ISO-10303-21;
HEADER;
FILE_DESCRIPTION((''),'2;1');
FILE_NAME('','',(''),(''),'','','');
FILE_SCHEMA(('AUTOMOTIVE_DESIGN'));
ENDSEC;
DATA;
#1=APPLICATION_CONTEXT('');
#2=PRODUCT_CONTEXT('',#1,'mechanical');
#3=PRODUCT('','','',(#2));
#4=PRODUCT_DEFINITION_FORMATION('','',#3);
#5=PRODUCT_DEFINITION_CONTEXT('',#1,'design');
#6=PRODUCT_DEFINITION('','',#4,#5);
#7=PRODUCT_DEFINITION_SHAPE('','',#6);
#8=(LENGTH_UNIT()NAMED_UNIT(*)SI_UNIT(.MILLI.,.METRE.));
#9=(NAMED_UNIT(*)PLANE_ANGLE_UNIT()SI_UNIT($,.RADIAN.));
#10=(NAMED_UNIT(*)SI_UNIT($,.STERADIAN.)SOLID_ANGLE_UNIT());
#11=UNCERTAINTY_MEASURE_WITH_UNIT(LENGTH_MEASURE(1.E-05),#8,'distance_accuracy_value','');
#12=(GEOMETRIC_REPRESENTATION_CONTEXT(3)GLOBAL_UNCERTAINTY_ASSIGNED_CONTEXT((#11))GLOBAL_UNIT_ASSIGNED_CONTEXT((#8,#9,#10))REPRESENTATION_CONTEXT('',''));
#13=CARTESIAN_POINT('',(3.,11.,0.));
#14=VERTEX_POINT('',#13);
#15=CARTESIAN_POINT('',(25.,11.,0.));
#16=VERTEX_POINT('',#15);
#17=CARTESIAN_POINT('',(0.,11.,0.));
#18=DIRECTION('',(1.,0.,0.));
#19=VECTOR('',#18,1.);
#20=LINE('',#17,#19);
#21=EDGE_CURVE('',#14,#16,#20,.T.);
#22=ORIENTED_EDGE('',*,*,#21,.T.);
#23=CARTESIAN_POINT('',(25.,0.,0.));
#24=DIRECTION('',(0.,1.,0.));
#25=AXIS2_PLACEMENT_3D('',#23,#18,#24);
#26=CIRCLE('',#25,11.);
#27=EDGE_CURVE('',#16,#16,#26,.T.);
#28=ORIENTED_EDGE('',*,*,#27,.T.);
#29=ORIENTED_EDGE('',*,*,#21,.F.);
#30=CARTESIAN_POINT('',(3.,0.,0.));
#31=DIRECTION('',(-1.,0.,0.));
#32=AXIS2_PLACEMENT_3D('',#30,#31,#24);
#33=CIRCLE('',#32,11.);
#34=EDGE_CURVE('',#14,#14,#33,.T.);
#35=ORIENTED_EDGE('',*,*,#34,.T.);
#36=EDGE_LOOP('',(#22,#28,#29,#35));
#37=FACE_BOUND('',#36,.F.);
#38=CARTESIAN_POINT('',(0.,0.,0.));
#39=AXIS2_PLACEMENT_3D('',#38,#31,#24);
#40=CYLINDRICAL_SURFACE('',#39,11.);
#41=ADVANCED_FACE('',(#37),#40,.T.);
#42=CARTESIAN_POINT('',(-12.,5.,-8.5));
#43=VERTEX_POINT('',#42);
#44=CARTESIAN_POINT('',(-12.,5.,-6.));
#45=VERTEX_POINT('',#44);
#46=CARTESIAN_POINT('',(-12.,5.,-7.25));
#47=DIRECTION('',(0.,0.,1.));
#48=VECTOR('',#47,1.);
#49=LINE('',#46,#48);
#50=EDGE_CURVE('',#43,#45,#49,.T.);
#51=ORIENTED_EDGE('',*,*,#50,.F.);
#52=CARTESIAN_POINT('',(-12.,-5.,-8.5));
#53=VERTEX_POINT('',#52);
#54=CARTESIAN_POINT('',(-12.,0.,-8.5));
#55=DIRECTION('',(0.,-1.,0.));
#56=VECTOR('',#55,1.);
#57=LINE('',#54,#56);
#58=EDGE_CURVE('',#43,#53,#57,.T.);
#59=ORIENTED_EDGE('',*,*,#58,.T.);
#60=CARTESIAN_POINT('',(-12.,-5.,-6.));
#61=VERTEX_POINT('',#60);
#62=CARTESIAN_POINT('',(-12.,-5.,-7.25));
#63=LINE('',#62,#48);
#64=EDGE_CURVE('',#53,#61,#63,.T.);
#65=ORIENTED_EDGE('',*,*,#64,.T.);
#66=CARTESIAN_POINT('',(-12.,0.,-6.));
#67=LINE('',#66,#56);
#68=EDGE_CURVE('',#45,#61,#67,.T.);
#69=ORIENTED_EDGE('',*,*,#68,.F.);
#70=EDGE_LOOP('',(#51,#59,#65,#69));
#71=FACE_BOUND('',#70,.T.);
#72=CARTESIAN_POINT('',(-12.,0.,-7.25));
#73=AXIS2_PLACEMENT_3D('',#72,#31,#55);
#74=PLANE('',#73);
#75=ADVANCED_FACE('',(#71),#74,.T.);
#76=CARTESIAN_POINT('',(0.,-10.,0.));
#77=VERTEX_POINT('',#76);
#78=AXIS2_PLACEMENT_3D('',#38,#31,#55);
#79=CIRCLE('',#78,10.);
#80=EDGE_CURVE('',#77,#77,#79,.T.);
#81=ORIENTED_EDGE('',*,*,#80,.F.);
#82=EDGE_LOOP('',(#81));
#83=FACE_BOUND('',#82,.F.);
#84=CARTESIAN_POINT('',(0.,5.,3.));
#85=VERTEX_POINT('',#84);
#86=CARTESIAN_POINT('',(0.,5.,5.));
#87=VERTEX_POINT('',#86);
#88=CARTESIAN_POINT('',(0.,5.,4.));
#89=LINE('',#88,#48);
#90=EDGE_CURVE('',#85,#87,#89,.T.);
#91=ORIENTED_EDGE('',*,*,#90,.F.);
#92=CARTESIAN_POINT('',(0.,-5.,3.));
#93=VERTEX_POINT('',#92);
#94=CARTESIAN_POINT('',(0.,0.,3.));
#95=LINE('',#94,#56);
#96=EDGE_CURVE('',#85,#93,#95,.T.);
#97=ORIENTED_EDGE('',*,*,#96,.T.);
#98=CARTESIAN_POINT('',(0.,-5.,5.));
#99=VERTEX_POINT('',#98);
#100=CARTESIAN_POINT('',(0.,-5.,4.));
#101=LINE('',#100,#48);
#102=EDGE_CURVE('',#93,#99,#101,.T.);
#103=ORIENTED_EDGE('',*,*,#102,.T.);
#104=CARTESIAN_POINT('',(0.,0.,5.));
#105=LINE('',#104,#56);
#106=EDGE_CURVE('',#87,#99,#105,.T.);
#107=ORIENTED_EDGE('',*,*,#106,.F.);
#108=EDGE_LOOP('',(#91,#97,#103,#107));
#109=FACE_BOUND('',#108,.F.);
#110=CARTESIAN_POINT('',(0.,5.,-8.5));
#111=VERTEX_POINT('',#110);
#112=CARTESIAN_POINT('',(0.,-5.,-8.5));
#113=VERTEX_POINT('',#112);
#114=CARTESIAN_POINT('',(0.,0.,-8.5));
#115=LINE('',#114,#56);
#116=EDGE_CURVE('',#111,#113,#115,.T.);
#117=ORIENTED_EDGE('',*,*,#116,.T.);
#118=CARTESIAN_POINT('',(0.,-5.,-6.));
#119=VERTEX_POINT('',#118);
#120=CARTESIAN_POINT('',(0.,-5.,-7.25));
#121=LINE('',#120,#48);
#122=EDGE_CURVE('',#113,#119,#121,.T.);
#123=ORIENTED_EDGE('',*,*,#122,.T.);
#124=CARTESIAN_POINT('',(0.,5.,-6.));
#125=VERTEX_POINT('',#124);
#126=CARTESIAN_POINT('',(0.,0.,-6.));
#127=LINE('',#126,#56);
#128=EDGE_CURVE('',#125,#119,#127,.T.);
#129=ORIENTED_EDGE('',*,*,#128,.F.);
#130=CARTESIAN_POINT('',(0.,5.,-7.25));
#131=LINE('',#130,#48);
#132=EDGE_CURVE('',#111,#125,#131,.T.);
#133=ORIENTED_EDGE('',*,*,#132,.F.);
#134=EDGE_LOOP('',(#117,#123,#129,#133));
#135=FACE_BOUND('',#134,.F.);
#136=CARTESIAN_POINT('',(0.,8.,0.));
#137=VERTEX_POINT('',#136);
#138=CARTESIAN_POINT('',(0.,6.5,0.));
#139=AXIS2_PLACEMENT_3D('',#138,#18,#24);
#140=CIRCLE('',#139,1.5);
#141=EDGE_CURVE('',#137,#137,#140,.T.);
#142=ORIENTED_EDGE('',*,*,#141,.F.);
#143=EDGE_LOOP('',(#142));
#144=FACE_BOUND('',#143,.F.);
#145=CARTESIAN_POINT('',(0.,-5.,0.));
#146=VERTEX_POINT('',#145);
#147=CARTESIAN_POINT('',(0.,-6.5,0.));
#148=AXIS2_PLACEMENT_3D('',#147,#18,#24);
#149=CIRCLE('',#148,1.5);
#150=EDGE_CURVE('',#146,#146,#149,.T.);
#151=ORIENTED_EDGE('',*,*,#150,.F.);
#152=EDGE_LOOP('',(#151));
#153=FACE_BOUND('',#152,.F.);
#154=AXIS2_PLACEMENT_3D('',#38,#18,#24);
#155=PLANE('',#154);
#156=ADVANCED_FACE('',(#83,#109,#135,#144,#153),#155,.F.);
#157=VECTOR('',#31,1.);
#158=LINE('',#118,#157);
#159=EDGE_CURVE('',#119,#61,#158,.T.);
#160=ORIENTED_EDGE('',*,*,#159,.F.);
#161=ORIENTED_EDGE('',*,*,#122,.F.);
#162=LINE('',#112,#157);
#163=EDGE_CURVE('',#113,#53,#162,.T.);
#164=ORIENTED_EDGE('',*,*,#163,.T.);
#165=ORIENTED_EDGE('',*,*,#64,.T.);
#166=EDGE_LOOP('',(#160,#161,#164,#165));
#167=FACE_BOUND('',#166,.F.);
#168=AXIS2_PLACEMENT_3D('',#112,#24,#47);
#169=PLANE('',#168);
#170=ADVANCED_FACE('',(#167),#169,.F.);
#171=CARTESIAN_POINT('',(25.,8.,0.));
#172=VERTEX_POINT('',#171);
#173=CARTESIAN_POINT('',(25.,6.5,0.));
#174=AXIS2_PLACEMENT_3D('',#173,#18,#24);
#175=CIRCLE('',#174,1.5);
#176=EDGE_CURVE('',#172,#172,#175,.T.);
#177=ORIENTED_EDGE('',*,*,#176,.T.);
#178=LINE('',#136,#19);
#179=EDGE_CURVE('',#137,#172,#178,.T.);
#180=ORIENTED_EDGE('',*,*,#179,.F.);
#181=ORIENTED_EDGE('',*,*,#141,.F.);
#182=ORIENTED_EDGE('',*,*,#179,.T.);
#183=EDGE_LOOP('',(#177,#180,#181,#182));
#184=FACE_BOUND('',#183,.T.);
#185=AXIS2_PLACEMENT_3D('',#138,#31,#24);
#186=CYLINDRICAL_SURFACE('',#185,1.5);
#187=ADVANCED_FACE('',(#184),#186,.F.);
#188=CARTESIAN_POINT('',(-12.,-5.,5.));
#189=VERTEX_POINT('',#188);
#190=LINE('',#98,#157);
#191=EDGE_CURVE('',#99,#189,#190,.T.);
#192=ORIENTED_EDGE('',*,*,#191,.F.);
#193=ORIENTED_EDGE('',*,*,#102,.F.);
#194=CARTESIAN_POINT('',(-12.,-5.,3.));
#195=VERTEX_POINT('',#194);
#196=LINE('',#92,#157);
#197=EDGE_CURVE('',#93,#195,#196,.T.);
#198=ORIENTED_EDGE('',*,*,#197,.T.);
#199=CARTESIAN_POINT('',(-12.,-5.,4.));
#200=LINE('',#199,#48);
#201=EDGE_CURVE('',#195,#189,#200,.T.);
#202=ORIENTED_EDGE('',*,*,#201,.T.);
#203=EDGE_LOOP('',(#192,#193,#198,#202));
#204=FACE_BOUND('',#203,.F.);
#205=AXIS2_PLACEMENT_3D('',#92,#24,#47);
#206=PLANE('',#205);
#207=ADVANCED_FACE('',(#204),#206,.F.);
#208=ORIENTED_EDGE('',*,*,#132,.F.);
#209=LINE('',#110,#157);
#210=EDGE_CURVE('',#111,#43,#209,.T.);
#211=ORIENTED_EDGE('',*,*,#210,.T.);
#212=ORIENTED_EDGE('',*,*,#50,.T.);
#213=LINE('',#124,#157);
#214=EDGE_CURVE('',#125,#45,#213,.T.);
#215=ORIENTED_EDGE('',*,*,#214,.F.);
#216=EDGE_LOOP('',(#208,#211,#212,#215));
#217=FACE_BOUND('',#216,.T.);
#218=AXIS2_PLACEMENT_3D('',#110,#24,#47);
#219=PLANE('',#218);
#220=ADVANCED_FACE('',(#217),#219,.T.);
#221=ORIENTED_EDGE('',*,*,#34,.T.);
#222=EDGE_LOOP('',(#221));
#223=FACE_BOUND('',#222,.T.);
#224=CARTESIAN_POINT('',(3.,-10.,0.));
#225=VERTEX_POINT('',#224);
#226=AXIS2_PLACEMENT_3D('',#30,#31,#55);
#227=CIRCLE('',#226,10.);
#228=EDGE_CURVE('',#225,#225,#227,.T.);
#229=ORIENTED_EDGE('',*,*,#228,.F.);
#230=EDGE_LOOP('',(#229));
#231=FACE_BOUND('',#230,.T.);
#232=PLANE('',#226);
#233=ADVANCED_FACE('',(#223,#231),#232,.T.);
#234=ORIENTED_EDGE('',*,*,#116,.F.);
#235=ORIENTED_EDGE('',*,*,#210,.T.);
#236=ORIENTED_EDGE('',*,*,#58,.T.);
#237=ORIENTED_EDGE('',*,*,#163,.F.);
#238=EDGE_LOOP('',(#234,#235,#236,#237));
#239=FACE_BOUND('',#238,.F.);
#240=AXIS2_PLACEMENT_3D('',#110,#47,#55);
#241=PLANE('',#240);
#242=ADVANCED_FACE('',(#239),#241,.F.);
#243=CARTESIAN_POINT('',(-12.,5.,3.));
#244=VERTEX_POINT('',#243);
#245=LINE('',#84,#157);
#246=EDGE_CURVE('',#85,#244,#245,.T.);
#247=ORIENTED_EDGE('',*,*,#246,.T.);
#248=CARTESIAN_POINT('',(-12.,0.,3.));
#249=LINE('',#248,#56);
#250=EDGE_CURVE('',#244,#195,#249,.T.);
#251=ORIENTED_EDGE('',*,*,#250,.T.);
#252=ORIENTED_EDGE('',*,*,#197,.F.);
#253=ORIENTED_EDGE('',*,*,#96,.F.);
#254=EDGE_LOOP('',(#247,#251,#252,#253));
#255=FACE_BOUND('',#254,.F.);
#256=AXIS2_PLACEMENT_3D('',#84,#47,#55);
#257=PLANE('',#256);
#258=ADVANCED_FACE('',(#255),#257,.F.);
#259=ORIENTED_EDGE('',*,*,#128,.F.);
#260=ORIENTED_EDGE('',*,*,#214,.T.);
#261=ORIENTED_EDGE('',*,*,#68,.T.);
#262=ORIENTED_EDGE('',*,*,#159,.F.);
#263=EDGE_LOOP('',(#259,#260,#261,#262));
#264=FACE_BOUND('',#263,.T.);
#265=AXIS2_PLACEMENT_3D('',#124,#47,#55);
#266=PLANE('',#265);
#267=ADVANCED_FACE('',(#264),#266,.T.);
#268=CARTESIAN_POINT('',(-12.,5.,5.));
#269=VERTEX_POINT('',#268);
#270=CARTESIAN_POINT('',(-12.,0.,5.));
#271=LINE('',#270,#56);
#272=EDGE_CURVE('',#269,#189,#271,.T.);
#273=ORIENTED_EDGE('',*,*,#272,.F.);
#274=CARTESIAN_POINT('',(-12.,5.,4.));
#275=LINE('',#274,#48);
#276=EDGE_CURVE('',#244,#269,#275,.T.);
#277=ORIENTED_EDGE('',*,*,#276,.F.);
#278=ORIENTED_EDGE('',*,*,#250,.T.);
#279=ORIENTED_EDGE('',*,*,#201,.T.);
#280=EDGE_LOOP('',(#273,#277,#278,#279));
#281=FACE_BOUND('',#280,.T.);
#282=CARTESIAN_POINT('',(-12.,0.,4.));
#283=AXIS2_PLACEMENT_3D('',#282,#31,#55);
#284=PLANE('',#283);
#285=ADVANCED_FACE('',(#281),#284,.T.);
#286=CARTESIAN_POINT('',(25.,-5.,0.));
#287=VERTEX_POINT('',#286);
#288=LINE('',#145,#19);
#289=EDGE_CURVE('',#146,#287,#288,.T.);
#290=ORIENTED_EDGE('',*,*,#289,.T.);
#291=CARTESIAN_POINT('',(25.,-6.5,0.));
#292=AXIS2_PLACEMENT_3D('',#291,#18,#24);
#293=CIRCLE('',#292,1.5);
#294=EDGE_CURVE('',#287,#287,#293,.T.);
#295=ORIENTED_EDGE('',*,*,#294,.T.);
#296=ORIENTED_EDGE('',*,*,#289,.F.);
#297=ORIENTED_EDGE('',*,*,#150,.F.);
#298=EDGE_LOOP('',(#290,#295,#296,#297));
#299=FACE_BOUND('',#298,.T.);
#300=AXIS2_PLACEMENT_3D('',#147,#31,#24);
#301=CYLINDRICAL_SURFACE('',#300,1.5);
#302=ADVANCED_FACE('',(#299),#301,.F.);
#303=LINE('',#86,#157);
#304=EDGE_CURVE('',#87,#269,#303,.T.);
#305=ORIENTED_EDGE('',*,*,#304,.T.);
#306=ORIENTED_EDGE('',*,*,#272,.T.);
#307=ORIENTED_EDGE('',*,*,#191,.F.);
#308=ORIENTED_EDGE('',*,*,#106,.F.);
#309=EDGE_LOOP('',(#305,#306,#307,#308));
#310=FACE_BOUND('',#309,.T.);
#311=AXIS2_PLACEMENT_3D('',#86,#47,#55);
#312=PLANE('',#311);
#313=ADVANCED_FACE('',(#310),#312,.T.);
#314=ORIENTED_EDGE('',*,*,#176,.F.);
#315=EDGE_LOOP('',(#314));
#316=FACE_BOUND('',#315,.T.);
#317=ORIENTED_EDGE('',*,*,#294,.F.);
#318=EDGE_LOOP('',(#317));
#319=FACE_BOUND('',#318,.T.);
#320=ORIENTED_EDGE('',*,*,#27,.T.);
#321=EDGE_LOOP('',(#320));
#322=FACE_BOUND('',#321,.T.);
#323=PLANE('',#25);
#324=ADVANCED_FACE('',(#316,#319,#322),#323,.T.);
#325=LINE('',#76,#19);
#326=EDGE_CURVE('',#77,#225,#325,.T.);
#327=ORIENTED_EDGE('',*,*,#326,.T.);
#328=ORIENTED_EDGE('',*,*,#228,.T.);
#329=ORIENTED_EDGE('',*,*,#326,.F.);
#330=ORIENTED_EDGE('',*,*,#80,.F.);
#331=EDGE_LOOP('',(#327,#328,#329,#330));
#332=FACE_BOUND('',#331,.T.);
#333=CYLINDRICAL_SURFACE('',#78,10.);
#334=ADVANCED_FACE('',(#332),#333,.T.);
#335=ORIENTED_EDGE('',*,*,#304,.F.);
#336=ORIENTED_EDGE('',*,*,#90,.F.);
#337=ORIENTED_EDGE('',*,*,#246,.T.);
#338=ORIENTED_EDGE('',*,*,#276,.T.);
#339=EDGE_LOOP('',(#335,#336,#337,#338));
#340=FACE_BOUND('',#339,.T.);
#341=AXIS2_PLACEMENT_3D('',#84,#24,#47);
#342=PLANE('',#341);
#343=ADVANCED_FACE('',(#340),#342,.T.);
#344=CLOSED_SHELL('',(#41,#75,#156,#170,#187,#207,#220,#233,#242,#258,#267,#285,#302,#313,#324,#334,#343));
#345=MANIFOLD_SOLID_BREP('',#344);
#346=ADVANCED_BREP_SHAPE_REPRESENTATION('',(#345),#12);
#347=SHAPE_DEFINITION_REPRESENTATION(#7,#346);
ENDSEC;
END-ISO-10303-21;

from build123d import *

# Parameters (mm, degrees)
F0_R     = 11
F0_R_2   = 1.5
F1_DEPTH = 25
F2_R     = 12.5
F2_R_2   = 10
F3_DEPTH = 3
F4_W     = 10
F4_H     = 2
F4_H_2   = 2.5
F5_DEPTH = 12


with BuildPart() as f1:
    # F0 (on Right) → F1 (new body)
    with BuildSketch(Plane.YZ):
        Circle(F0_R)
        with Locations((-6.5, 0)):
            Circle(F0_R_2, mode=Mode.SUBTRACT)
        with Locations((6.5, 0)):
            Circle(F0_R_2, mode=Mode.SUBTRACT)
    extrude(amount=F1_DEPTH)

    # F2 (on face) → F3 (cut)
    with BuildSketch(Plane(origin=(0, 0, 0), x_dir=(0, -1, 0), z_dir=(-1, 0, 0))):
        Circle(F2_R)
        Circle(F2_R_2, mode=Mode.SUBTRACT)
    extrude(amount=-F3_DEPTH, mode=Mode.SUBTRACT)

    # F4 (on face) → F5 (join)
    with BuildSketch(Plane(origin=(0, 0, 0), x_dir=(0, -1, 0), z_dir=(-1, 0, 0))):
        with Locations((0, 4)):
            Rectangle(F4_W, F4_H)
        with Locations((0, -7.25)):
            Rectangle(F4_W, F4_H_2)
    extrude(amount=F5_DEPTH)


solid = f1.part
